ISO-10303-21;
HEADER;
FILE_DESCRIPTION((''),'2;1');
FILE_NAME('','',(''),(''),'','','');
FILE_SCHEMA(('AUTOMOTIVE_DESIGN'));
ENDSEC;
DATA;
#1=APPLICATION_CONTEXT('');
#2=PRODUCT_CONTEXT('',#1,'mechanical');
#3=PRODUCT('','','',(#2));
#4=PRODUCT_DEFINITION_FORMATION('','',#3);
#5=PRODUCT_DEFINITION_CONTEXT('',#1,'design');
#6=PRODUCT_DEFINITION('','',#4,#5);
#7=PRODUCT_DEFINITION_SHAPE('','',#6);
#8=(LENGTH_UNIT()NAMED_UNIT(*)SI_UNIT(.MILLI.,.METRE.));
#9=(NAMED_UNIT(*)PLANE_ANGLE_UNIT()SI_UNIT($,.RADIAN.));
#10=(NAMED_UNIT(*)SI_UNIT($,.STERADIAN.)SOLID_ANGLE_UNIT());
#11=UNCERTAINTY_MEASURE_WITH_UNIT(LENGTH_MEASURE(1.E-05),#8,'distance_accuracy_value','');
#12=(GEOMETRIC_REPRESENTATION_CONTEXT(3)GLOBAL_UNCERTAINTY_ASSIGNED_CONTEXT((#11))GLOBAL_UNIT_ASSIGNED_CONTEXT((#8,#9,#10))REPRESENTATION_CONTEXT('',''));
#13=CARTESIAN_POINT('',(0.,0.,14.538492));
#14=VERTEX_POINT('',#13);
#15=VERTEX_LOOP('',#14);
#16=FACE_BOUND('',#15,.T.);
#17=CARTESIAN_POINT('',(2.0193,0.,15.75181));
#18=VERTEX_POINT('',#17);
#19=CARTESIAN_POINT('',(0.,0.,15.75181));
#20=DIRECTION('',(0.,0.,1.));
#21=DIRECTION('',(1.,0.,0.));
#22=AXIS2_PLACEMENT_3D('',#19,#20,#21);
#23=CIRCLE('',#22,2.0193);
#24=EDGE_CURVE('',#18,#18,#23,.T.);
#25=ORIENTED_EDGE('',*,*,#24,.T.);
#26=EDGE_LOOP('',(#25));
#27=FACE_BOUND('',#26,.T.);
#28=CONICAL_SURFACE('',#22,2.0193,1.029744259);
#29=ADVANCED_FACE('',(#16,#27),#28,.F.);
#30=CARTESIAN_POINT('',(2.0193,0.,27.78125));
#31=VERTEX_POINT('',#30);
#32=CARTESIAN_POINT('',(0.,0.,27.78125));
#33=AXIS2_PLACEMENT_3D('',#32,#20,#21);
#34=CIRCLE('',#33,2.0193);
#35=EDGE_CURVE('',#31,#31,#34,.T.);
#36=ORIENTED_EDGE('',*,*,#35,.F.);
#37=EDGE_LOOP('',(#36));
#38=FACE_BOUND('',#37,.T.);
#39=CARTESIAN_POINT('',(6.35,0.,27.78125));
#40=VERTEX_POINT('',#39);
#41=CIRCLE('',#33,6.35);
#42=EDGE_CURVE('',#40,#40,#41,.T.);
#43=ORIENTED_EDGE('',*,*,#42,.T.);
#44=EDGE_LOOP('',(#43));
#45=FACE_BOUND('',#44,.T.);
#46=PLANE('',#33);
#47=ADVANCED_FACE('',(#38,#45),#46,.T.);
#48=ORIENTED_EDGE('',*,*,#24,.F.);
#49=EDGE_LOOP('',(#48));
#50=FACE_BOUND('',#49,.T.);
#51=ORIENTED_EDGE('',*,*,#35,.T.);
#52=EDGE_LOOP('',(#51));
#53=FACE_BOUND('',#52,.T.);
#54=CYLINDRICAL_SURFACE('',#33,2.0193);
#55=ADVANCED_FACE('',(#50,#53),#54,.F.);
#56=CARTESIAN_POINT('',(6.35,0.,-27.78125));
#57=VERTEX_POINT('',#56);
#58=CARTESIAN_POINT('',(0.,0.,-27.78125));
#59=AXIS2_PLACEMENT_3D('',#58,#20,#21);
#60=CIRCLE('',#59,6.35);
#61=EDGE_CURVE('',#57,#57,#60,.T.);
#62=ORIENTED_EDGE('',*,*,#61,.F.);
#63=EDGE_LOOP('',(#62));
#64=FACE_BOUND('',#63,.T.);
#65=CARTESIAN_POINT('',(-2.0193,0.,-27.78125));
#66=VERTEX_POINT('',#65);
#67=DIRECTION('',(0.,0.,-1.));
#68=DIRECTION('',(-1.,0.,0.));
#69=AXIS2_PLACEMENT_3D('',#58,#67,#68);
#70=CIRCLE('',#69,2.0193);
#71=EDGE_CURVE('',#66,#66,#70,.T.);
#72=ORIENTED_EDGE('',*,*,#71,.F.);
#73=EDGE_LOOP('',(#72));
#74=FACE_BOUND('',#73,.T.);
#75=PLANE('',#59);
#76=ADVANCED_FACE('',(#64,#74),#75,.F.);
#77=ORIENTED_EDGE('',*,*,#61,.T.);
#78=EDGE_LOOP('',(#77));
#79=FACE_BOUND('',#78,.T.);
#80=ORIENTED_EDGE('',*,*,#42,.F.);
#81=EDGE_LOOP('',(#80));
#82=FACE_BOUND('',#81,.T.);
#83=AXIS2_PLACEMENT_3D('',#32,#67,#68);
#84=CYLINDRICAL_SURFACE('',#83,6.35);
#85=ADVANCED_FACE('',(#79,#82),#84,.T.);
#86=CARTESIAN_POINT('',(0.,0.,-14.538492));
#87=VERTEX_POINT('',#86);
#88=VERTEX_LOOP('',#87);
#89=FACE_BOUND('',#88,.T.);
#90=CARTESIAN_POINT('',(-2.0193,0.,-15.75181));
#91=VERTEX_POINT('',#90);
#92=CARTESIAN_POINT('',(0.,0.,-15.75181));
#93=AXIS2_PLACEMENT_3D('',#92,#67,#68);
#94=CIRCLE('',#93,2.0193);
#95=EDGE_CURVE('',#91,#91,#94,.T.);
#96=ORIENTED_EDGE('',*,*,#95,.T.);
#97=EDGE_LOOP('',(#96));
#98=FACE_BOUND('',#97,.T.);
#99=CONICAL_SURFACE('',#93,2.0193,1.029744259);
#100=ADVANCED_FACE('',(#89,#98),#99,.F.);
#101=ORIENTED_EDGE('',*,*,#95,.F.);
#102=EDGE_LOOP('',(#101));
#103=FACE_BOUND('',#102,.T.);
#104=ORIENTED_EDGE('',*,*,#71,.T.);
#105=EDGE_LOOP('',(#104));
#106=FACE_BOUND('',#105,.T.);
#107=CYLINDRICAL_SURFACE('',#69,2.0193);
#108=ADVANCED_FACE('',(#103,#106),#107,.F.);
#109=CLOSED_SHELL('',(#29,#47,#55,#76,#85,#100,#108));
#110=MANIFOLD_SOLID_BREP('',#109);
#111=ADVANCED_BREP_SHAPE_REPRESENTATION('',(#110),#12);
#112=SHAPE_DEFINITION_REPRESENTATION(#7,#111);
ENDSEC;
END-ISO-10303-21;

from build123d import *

# Parameters (mm, degrees)
SKETCH1_R                            = 6.35
BOSS_EXTRUDE1_DEPTH                  = 27.78125
F_10_32_TAPPED_HOLE1_D               = 4.0386
F_10_32_TAPPED_HOLE1_DEPTH           = 12.02944
F_10_32_TAPPED_HOLE1_TIP             = 1.213317848
F_10_32_TAPPED_HOLE1_ON_FACE_2_D     = 4.0386
F_10_32_TAPPED_HOLE1_ON_FACE_2_DEPTH = 12.02944
F_10_32_TAPPED_HOLE1_ON_FACE_2_TIP   = 1.213317848


with BuildPart() as part:
    # Sketch1 → Boss-Extrude1 (new, symmetric)
    with BuildSketch(Plane.XY):
        Circle(SKETCH1_R)
    extrude(amount=BOSS_EXTRUDE1_DEPTH, both=True)

    # #10-32 Tapped Hole1
    with Locations(Plane.XY.offset(27.78125)):
        with Locations((0, 0)):
            Hole(F_10_32_TAPPED_HOLE1_D / 2, depth=F_10_32_TAPPED_HOLE1_DEPTH)
            with Locations((0, 0, -(F_10_32_TAPPED_HOLE1_DEPTH + F_10_32_TAPPED_HOLE1_TIP / 2))):  # 118° drill point
                Cone(0, F_10_32_TAPPED_HOLE1_D / 2, F_10_32_TAPPED_HOLE1_TIP, mode=Mode.SUBTRACT)

    # #10-32 Tapped Hole1 on face 2
    with Locations(Plane(origin=(0, 0, -27.78125), x_dir=(-1, 0, 0), z_dir=(0, 0, -1))):
        with Locations((0, 0)):
            Hole(F_10_32_TAPPED_HOLE1_ON_FACE_2_D / 2, depth=F_10_32_TAPPED_HOLE1_ON_FACE_2_DEPTH)
            with Locations((0, 0, -(F_10_32_TAPPED_HOLE1_ON_FACE_2_DEPTH + F_10_32_TAPPED_HOLE1_ON_FACE_2_TIP / 2))):  # 118° drill point
                Cone(0, F_10_32_TAPPED_HOLE1_ON_FACE_2_D / 2, F_10_32_TAPPED_HOLE1_ON_FACE_2_TIP, mode=Mode.SUBTRACT)


solid = part.part
